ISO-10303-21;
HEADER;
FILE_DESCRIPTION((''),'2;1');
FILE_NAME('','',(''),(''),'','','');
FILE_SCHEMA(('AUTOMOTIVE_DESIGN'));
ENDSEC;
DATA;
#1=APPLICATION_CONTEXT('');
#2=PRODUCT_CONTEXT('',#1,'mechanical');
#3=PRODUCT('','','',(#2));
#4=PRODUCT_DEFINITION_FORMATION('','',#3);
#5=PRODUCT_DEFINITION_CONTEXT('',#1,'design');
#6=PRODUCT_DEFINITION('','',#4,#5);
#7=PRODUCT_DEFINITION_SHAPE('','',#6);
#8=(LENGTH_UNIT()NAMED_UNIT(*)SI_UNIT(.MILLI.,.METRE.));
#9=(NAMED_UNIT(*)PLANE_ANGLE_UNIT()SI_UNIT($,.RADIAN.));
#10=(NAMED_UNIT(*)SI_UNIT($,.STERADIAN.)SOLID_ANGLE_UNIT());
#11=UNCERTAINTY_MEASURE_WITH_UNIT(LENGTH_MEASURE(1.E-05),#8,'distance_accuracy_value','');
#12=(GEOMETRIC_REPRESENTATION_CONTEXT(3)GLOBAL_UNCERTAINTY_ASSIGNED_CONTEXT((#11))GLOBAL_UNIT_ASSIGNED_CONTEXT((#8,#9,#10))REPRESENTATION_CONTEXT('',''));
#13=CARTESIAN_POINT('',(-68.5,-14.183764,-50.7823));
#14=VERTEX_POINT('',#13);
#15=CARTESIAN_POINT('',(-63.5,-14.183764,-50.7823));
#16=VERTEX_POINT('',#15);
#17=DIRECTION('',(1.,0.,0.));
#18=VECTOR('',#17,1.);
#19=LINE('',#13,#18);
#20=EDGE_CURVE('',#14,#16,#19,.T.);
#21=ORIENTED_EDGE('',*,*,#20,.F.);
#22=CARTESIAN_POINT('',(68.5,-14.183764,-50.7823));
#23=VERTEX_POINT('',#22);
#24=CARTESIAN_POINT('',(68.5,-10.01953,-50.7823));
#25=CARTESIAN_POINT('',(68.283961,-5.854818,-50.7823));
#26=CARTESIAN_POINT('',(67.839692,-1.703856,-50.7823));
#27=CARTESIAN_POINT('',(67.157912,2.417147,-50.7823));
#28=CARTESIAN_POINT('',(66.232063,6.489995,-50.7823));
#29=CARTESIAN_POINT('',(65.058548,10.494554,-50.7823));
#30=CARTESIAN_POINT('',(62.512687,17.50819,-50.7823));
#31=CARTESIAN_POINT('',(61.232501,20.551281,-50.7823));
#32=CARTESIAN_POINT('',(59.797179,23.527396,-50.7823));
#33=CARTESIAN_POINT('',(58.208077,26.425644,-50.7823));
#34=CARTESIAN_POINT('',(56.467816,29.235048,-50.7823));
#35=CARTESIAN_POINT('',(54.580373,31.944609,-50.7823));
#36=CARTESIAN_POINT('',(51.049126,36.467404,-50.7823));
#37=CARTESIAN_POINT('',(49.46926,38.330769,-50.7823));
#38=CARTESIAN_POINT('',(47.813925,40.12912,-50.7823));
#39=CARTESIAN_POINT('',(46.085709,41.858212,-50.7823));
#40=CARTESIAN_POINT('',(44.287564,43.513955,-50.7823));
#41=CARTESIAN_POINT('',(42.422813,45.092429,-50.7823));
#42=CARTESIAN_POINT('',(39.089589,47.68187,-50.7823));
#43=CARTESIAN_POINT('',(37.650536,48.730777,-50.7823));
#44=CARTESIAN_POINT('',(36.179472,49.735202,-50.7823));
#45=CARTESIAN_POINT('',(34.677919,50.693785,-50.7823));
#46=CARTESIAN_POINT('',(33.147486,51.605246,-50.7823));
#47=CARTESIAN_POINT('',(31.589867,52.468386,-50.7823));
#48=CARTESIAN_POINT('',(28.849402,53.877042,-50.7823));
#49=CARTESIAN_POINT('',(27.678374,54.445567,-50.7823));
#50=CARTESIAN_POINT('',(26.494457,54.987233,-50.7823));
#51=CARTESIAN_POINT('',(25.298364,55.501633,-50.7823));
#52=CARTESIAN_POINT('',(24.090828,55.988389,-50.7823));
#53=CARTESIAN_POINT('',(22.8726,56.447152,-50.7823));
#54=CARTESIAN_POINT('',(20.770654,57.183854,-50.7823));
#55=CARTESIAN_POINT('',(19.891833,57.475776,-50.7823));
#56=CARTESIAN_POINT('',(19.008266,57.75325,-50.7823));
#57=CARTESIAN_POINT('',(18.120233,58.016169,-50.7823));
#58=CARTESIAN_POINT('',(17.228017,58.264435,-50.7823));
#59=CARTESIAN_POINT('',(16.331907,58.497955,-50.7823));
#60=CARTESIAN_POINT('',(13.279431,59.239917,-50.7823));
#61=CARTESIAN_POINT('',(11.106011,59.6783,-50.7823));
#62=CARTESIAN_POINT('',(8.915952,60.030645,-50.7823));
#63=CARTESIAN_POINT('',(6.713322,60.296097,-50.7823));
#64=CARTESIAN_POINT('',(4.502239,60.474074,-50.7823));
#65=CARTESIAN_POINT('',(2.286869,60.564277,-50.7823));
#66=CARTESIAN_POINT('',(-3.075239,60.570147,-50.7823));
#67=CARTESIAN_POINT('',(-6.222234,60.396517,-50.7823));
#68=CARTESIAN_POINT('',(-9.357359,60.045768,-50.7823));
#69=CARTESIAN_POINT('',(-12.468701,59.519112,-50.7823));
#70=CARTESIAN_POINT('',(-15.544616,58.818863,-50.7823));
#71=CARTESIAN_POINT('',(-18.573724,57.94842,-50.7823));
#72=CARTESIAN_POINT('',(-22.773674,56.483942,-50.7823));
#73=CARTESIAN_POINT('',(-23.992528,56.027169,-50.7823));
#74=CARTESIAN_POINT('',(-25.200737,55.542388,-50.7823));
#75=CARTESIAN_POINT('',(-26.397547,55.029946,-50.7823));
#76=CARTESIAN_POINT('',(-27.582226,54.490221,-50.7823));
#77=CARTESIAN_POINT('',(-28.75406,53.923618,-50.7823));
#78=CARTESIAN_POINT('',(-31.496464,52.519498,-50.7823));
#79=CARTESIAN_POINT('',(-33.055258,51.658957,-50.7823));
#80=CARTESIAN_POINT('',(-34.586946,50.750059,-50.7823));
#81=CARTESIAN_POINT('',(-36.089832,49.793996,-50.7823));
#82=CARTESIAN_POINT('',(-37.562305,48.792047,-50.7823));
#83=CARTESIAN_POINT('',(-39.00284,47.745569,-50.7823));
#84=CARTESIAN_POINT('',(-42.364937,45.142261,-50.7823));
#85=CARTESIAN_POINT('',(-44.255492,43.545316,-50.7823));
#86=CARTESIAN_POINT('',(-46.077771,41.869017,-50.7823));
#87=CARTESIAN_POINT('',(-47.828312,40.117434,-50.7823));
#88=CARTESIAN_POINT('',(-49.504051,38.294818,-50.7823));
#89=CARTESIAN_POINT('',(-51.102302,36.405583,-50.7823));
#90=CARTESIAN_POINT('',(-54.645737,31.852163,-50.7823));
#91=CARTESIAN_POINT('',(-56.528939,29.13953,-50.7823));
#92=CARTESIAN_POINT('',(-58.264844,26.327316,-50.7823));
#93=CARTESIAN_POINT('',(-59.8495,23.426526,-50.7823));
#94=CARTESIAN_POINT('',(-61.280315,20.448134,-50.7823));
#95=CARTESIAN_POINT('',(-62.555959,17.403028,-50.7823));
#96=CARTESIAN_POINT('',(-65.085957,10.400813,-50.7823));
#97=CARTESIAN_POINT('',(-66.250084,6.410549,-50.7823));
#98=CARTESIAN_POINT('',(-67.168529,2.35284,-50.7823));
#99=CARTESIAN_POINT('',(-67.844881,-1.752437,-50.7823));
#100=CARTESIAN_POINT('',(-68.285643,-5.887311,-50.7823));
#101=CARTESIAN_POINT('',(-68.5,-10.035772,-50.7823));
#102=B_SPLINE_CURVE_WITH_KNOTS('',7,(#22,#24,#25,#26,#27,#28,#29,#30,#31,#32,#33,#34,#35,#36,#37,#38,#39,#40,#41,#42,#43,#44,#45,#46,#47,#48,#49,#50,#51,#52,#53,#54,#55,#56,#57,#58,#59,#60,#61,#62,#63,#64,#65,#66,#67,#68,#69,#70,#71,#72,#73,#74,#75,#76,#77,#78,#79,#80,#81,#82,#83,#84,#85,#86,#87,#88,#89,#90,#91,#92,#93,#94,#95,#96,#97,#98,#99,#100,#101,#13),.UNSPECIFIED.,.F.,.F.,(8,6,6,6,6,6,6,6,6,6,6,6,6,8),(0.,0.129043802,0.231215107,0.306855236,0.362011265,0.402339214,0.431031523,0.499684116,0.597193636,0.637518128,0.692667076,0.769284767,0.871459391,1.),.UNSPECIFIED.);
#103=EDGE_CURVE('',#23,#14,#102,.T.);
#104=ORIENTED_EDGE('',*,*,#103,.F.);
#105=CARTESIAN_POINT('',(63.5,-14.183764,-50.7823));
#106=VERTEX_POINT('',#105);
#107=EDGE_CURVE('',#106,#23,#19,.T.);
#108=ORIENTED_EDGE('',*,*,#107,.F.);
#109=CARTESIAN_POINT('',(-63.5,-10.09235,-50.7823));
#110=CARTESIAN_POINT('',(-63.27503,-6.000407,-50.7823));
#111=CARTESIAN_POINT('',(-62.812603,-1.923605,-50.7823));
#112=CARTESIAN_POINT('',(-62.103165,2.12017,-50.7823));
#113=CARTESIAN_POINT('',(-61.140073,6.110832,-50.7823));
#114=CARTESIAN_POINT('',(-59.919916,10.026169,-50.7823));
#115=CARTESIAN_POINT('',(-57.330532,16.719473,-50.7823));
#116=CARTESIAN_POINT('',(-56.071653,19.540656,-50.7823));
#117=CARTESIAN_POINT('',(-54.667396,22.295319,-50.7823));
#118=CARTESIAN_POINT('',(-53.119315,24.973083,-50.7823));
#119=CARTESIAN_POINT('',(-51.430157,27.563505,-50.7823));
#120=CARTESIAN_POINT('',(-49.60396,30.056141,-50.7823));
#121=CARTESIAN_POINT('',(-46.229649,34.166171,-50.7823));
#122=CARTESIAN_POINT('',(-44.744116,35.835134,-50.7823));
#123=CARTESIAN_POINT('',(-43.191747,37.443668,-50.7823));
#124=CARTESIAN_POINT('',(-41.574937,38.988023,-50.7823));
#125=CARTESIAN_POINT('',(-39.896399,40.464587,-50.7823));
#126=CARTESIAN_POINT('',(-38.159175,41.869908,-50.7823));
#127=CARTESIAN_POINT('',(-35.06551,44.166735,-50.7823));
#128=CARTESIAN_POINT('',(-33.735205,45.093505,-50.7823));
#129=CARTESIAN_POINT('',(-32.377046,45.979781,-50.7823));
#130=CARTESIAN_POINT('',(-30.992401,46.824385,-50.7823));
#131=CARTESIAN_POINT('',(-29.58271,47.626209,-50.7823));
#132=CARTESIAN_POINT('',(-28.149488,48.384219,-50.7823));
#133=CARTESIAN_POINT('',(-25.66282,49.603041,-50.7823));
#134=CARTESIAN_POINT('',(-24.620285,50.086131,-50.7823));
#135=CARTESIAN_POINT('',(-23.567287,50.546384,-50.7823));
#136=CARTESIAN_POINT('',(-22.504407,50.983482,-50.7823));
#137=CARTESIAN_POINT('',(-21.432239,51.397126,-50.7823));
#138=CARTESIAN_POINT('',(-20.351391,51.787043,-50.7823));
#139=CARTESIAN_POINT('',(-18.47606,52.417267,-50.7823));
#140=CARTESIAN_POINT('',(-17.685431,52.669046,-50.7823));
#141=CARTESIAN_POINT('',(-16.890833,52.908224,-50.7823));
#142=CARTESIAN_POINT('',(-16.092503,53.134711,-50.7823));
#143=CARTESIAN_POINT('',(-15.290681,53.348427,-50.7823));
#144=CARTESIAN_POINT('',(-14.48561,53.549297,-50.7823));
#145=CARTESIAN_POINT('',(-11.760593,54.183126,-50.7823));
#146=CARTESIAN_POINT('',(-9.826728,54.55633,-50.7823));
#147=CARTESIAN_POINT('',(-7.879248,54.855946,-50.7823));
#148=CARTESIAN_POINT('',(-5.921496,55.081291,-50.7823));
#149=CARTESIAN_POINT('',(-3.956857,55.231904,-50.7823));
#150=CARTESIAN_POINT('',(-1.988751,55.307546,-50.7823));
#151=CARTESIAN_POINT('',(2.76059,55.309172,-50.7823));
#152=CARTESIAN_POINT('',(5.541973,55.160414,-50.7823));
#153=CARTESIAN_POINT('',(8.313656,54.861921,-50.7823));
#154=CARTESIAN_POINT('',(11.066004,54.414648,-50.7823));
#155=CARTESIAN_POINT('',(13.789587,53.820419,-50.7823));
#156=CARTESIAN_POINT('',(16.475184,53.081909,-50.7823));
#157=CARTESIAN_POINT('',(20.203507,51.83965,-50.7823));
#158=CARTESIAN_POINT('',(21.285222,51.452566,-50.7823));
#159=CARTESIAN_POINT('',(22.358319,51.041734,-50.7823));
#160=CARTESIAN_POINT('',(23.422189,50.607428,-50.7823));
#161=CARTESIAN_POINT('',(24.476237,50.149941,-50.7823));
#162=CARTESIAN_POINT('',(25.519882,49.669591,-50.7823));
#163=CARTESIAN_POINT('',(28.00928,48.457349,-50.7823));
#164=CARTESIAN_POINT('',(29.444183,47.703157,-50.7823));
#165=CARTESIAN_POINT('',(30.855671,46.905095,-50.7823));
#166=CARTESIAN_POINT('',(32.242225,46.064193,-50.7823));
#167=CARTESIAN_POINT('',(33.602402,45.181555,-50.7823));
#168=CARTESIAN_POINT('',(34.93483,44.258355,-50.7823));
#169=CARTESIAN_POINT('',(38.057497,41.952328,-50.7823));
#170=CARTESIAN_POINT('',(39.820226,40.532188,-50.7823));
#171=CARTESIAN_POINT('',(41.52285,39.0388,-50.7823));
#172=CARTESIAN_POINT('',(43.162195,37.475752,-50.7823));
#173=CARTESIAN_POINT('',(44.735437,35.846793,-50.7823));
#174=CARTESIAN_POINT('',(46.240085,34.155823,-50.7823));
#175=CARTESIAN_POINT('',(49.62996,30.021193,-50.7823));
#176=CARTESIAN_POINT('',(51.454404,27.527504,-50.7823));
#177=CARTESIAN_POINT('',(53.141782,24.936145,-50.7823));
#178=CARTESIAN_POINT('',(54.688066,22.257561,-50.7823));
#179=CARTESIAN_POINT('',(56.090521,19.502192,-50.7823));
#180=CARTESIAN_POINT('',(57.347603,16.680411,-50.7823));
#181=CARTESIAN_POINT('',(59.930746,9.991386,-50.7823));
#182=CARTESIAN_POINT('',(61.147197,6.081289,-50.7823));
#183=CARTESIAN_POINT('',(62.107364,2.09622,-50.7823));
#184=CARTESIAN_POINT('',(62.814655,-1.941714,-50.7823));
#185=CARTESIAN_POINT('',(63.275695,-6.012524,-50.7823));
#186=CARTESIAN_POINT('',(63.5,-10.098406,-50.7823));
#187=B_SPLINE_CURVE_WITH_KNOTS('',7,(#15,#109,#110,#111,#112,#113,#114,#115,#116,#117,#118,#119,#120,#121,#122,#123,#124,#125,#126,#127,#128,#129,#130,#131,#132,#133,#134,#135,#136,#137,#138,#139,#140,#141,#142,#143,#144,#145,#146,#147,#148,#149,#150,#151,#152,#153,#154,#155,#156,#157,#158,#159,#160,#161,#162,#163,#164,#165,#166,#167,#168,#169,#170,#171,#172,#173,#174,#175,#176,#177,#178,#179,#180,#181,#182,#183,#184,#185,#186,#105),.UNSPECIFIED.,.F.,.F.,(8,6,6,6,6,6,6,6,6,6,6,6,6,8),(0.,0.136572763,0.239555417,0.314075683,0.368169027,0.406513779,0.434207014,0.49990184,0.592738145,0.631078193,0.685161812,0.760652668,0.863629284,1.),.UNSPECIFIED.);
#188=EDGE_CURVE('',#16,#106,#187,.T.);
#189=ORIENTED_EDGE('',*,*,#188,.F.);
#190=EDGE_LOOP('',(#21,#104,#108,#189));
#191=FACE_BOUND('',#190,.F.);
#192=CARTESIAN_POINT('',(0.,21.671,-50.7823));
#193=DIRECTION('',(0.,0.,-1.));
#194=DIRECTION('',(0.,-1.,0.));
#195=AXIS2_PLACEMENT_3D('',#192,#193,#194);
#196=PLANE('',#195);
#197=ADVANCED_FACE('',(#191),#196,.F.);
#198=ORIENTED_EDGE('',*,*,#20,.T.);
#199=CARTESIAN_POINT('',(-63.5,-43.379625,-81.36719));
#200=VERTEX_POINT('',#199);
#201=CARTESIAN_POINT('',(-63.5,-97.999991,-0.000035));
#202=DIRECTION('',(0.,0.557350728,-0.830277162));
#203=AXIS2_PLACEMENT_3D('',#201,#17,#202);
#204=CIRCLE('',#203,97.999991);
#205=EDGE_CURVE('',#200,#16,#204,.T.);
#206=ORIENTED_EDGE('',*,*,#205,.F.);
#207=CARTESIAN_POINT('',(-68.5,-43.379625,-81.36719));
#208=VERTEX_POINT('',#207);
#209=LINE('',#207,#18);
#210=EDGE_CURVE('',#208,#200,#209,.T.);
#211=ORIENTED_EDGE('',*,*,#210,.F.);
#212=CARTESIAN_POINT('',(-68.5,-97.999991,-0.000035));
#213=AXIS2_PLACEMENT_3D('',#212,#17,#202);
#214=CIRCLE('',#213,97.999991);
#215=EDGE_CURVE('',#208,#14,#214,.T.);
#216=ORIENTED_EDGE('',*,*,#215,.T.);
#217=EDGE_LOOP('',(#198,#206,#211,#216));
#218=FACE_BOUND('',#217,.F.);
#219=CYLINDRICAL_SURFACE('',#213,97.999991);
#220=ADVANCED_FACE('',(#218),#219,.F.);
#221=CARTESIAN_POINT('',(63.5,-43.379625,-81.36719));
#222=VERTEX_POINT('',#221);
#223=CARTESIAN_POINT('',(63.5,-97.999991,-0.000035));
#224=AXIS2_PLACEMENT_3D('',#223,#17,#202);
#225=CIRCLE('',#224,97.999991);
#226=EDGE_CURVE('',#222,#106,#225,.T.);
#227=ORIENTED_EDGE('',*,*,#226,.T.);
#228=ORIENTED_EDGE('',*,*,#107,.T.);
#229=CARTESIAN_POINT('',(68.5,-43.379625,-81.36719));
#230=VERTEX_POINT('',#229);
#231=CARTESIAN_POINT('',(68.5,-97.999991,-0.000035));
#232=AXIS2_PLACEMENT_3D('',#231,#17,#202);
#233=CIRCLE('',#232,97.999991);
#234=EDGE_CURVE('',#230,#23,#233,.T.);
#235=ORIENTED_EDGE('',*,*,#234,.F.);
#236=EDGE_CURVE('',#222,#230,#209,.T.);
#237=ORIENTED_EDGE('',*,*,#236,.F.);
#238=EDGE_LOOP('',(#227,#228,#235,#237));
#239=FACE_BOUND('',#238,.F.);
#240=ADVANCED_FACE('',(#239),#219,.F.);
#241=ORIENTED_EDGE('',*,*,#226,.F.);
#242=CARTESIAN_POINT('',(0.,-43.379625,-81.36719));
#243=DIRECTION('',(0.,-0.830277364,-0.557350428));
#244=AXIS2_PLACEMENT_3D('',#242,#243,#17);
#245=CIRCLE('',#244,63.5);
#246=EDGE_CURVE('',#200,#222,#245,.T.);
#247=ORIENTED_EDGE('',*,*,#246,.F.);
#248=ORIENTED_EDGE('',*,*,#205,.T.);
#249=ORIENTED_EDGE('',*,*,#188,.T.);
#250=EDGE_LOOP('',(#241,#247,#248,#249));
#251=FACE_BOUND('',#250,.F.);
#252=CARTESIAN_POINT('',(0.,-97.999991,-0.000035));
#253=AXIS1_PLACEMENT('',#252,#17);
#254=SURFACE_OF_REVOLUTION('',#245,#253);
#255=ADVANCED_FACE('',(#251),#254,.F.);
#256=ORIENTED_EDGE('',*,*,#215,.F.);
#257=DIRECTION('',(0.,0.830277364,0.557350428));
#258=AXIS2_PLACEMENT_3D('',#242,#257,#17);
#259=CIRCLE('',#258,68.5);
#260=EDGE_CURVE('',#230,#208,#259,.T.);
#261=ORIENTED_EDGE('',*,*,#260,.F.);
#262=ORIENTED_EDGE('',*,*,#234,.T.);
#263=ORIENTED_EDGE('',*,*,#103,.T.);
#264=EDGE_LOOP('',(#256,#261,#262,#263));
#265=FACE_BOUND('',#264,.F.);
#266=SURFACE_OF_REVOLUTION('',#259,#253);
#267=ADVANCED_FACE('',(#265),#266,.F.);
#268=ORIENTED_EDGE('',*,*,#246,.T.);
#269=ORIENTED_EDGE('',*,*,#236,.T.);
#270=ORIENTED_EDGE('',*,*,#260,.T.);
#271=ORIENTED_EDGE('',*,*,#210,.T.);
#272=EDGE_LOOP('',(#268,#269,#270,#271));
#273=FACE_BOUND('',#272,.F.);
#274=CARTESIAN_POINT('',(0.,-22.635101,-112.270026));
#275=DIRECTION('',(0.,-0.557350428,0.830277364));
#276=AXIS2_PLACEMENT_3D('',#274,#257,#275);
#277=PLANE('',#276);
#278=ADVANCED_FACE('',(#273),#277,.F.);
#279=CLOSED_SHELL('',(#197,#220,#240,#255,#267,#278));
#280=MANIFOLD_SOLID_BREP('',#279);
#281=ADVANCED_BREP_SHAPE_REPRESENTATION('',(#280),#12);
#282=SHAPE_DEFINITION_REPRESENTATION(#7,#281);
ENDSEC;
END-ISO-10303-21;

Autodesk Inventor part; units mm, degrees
ref_plane "YZ Plane" through (0, 0, 0) normal (1, 0, 0) x (0, 1, 0)
ref_plane "XZ Plane" through (0, 0, 0) normal (0, 1, 0) x (-1, 0, 0)
ref_plane "XY Plane" through (0, 0, 0) normal (0, 0, 1) x (1, 0, 0)
sketch "Эскиз1" plane through (0, 0, 0) normal (0, 0, 1) x (1, 0, 0)
  circle A0 centre (0, 0) radius 63.5
  circle A1 centre (0, 0) radius 68.5
  line L0 (-68.5, 0) -> (68.5, 0)
  point P0 (-63.5, 0)
  point P1 (63.5, 0)
  dimension "d0" = 127
  dimension "d1" = 137
sketch "Эскиз2" plane through (0, 0, 0) normal (1, 0, 0) x (0, 1, 0)
  line L0 (0, 0) -> (-98, 0)
  arc A0 (-98, -180) -> (51.4499, -100.3231) centre (-98, 0) ccw
  line L1 (63.5, 0) -> (-63.5, 0) projected
  dimension "d6" = 360
  dimension "d7" = 98
sweep "Сдвиг2" add profiles "Эскиз1" path "Эскиз2" picked at (5.5611, 64.7671) path curves A0 contours A0 L0 A1
sketch "Эскиз3" plane through (0, 0, 0) normal (1, 0, 0) x (0, 1, 0)
  line L0 (21.671, -50.7823) -> (67.1006, -50.7823) projected
  line L1 (21.671, -50.7823) -> (-49.0926, -50.7823)
  line L2 (-49.0926, -50.7823) -> (124.8994, -50.7823)
  line L3 (124.8994, -50.7823) -> (124.8994, 54.6872)
  line L4 (124.8994, 54.6872) -> (-32.5885, 54.6872)
  line L5 (-32.5885, 54.6872) -> (-49.0926, -50.7823)
  point P0 (0, 0)
extrude "Выдавливание1" cut sketch "Эскиз3" along normal through all both and the other way through all
sketch "Эскиз4" plane through (0, 0, 0) normal (1, 0, 0) x (0, 1, 0)
  arc A0 (21.671, -50.7823) -> (-109.914, 129.4529) centre (-98, 0) ccw projected
  circle A1 centre (-98, 0) radius 130
  arc A2 (-43.3796, -81.3672) -> (0, 0) centre (-98, 0) ccw projected
  point P0 (-14.1838, -50.7823)
  point P1 (-109.914, 129.4529)
  point P2 (21.671, -50.7823)
ref_plane "РабПлоскость1" through (-60.5707, -122.8992, 62.7178) normal (1, 0, 0) x (0, -1, 0)
sketch "Эскиз5" plane through (-60.5707, -122.8992, 62.7178) normal (1, 0, 0) x (0, -1, 0)
  point P0 (-122.8992, 62.7178)
properties part number "изменение траектории 25-26"
